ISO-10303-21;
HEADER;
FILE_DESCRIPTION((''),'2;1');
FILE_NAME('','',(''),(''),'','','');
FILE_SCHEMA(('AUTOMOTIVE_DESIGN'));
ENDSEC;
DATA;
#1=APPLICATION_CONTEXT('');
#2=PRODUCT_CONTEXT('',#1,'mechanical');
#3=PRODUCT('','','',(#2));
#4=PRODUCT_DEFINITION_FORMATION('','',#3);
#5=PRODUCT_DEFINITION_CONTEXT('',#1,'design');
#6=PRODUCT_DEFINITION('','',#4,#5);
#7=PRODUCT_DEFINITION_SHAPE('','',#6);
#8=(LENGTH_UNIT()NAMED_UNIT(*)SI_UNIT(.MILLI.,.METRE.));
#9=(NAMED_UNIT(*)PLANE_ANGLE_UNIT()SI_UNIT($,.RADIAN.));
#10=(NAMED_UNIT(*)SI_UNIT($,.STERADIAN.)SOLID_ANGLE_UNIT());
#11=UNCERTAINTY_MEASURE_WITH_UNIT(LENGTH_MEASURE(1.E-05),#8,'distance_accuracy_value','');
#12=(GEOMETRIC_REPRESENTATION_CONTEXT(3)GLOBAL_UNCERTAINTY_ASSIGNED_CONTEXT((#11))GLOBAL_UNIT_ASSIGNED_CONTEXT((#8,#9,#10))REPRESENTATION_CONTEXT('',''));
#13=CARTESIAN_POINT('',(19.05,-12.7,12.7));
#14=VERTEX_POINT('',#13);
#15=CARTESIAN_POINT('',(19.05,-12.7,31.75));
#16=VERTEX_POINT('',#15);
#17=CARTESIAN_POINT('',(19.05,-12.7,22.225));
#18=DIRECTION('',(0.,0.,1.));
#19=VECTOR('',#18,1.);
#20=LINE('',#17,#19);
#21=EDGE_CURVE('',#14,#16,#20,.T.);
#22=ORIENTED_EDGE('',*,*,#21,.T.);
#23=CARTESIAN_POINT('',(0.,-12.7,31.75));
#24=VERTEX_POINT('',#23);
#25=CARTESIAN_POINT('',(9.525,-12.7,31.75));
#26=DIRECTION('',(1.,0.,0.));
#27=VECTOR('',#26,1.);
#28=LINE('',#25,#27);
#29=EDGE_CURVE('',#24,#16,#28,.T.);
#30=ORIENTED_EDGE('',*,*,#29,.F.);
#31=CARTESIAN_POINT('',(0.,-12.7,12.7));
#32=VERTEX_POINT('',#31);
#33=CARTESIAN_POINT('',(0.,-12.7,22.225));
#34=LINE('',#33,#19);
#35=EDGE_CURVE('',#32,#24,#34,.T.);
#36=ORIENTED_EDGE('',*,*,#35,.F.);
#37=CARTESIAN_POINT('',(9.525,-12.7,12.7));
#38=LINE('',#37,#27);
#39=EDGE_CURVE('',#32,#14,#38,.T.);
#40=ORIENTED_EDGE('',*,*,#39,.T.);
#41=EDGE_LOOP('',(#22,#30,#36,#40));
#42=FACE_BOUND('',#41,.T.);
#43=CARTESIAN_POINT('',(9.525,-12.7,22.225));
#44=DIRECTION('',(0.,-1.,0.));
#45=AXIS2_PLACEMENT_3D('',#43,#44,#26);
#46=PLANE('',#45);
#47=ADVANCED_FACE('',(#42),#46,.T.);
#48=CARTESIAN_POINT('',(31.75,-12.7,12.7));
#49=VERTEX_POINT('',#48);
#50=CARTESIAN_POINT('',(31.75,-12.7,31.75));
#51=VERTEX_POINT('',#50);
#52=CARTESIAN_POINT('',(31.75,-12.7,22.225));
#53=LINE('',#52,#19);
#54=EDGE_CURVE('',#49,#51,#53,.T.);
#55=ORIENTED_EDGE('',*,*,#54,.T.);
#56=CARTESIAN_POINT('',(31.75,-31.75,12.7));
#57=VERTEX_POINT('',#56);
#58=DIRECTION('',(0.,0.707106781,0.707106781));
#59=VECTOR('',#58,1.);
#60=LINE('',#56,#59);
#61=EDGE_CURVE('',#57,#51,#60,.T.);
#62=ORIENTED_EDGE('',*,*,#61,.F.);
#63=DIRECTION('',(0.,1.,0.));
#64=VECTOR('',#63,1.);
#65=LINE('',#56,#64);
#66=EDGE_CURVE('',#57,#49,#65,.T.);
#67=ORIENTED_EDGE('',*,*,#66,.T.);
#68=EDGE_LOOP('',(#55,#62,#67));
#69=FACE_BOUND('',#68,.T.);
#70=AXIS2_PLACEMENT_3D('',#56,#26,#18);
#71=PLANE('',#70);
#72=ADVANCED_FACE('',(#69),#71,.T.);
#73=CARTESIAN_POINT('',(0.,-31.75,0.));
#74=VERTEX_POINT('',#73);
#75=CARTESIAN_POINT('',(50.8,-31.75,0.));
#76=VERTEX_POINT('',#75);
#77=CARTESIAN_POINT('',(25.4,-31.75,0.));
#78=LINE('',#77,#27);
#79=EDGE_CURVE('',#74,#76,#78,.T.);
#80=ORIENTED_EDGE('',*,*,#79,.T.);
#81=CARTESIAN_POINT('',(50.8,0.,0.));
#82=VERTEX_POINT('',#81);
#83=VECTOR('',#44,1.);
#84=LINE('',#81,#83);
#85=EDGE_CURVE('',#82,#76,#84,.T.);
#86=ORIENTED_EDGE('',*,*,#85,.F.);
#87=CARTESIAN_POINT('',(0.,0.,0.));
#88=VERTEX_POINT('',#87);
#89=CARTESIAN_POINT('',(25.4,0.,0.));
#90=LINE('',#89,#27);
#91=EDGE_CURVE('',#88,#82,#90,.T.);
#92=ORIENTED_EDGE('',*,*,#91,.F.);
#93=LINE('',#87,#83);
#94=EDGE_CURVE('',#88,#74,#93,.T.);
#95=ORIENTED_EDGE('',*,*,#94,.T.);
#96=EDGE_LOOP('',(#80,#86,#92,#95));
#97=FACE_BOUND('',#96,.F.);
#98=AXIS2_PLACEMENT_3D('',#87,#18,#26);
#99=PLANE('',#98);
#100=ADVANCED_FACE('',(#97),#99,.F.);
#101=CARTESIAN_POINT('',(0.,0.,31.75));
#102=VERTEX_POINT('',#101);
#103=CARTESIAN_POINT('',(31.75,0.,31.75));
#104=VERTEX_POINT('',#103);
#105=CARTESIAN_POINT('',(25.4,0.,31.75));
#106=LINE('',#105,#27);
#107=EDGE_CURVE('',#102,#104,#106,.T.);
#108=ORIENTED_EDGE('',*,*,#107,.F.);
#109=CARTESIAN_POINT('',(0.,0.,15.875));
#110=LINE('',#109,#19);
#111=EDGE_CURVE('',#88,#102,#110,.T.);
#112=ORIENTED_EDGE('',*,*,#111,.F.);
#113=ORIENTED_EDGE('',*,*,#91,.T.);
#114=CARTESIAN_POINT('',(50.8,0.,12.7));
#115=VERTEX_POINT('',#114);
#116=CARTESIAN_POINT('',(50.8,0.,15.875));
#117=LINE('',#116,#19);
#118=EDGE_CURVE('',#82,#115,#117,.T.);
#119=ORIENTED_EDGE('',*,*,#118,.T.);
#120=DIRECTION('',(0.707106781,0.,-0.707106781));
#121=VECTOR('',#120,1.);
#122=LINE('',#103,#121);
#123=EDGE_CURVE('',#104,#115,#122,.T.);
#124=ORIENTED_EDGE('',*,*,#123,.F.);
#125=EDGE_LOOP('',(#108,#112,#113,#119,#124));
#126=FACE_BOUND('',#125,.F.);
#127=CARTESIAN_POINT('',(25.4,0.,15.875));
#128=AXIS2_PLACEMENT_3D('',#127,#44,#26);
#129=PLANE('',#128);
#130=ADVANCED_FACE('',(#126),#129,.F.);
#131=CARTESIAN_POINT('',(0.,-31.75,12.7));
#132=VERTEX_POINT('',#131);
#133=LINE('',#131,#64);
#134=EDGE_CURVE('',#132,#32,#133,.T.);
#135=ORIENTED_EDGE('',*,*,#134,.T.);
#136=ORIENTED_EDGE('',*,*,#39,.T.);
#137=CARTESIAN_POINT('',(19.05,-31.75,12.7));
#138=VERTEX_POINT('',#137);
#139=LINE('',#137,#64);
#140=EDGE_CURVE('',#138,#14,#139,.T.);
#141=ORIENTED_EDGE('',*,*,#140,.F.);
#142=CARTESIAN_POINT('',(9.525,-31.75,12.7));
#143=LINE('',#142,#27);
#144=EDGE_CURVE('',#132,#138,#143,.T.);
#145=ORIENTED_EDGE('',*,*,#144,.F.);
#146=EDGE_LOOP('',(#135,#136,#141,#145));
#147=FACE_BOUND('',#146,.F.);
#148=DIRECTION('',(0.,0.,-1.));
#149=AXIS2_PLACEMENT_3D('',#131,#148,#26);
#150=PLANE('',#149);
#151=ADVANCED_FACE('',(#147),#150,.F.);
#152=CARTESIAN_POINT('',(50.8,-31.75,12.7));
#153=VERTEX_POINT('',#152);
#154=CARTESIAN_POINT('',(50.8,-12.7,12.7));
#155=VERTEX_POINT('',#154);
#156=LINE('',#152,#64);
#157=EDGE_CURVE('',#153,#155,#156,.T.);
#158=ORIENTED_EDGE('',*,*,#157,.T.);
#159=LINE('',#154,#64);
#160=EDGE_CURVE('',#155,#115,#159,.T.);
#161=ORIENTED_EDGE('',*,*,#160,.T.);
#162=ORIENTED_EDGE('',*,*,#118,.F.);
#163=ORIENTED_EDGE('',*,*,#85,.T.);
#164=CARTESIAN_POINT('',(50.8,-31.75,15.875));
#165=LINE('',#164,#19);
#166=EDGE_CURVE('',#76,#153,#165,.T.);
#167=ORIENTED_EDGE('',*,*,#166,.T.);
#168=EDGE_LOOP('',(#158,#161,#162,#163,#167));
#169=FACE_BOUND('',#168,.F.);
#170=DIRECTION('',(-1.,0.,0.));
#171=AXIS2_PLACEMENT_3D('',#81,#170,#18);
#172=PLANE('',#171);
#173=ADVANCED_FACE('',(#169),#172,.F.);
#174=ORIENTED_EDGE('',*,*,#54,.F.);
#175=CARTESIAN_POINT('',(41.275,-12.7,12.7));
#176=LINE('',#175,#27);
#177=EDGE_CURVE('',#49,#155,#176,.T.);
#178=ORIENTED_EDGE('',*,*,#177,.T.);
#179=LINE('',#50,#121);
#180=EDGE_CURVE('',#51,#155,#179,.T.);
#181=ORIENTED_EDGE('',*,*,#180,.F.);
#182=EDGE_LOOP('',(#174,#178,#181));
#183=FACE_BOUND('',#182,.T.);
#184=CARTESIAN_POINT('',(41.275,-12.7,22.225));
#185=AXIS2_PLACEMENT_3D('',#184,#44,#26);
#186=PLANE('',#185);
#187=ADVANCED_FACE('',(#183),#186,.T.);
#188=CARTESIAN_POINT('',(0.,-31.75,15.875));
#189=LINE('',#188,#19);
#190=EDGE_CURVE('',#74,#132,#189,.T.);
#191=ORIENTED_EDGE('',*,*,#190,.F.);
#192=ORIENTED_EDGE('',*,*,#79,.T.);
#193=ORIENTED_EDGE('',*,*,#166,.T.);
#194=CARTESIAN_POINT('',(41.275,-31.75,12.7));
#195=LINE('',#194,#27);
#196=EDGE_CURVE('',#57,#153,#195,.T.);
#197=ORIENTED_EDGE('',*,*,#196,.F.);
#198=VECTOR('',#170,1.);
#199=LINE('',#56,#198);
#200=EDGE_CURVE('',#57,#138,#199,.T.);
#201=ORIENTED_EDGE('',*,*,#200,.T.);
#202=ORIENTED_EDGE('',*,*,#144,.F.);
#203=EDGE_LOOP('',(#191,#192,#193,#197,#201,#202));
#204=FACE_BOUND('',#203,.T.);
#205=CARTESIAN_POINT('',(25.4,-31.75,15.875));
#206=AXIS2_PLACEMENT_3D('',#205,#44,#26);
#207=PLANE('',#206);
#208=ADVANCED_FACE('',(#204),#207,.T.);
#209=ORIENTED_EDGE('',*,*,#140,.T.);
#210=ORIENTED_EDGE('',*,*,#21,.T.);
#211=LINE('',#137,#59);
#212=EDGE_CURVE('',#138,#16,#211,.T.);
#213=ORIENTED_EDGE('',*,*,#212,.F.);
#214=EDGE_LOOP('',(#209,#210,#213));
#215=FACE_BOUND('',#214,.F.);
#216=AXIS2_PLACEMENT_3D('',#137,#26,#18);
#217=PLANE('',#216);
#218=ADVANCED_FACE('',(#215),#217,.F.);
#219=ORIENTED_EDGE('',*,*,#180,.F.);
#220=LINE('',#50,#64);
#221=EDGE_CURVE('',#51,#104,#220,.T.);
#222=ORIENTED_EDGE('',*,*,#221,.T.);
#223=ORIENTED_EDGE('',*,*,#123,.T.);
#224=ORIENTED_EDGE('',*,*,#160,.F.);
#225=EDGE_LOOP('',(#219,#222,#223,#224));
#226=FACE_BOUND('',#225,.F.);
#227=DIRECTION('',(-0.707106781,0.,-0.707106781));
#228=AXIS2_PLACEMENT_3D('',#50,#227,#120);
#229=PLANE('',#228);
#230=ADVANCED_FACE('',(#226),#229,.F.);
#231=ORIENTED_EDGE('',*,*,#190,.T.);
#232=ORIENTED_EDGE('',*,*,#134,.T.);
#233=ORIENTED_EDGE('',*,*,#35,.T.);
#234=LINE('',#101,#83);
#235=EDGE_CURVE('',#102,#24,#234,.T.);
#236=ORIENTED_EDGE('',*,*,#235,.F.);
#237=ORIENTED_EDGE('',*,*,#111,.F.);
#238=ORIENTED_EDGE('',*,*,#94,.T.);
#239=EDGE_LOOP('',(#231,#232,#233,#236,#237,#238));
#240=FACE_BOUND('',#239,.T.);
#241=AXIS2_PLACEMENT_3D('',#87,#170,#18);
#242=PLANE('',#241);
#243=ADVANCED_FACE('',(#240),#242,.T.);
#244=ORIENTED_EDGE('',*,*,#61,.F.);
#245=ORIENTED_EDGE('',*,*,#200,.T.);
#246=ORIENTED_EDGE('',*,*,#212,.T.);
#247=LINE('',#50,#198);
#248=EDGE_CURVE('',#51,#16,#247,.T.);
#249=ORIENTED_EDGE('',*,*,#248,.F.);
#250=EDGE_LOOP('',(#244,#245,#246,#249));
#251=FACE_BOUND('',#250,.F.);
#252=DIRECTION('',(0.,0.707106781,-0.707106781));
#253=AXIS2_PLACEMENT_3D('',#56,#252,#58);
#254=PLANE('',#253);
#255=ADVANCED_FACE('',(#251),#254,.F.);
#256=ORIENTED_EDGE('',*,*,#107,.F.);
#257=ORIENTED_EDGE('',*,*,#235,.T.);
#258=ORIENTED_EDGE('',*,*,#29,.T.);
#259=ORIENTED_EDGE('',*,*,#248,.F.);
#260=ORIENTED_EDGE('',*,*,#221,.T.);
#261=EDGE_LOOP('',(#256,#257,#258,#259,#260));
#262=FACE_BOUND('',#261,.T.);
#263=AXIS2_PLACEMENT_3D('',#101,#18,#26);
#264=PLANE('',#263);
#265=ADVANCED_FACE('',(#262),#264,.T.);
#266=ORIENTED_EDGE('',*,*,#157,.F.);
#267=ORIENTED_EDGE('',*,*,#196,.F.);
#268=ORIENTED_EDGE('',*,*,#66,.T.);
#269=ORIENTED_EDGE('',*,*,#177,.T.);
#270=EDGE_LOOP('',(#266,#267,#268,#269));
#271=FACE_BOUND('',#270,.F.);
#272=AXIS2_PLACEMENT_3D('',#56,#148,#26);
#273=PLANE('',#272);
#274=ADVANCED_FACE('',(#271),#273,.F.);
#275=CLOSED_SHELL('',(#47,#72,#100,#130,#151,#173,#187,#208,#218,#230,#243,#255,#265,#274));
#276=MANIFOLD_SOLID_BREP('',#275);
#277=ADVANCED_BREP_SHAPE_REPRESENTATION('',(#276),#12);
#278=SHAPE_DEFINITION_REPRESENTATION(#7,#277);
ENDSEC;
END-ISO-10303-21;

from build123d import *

# Parameters (mm, degrees)
F0_W     = 50.8
F0_H     = 31.75
F1_DEPTH = 31.75
F2_W     = 19.05
F2_H     = 19.05
F3_DEPTH = 19.05
F4_DEPTH = 19.05
F6_DEPTH = 12.7
F8_DEPTH = 12.7


with BuildPart() as f1:
    # F0 (on Front) → F1 (new body)
    with BuildSketch(Plane.XZ):
        with Locations((25.4, 15.875)):
            Rectangle(F0_W, F0_H)
    extrude(amount=F1_DEPTH)

    # F2 (on face) → F3 (cut)
    with BuildSketch(Plane.XZ.offset(31.75)):
        with Locations((41.275, 22.225)):
            Rectangle(F2_W, F2_H)
    extrude(amount=-F3_DEPTH, mode=Mode.SUBTRACT)

    # F2 (on face) → F4 (cut)
    with BuildSketch(Plane.XZ.offset(31.75)):
        with Locations((9.525, 22.225)):
            Rectangle(F2_W, F2_H)
    extrude(amount=-F4_DEPTH, mode=Mode.SUBTRACT)

    # F5 (on face) → F6 (cut)
    with BuildSketch(Plane.YZ.offset(31.75)):
        Polygon((-31.75, 12.7), (-12.7, 31.75), (-31.75, 31.75), align=None)
    extrude(amount=-F6_DEPTH, mode=Mode.SUBTRACT)

    # F7 (on face) → F8 (cut)
    with BuildSketch(Plane.XZ.offset(12.7)):
        Polygon((50.8, 31.75), (31.75, 31.75), (50.8, 12.7), align=None)
    extrude(amount=-F8_DEPTH, mode=Mode.SUBTRACT)


solid = f1.part
